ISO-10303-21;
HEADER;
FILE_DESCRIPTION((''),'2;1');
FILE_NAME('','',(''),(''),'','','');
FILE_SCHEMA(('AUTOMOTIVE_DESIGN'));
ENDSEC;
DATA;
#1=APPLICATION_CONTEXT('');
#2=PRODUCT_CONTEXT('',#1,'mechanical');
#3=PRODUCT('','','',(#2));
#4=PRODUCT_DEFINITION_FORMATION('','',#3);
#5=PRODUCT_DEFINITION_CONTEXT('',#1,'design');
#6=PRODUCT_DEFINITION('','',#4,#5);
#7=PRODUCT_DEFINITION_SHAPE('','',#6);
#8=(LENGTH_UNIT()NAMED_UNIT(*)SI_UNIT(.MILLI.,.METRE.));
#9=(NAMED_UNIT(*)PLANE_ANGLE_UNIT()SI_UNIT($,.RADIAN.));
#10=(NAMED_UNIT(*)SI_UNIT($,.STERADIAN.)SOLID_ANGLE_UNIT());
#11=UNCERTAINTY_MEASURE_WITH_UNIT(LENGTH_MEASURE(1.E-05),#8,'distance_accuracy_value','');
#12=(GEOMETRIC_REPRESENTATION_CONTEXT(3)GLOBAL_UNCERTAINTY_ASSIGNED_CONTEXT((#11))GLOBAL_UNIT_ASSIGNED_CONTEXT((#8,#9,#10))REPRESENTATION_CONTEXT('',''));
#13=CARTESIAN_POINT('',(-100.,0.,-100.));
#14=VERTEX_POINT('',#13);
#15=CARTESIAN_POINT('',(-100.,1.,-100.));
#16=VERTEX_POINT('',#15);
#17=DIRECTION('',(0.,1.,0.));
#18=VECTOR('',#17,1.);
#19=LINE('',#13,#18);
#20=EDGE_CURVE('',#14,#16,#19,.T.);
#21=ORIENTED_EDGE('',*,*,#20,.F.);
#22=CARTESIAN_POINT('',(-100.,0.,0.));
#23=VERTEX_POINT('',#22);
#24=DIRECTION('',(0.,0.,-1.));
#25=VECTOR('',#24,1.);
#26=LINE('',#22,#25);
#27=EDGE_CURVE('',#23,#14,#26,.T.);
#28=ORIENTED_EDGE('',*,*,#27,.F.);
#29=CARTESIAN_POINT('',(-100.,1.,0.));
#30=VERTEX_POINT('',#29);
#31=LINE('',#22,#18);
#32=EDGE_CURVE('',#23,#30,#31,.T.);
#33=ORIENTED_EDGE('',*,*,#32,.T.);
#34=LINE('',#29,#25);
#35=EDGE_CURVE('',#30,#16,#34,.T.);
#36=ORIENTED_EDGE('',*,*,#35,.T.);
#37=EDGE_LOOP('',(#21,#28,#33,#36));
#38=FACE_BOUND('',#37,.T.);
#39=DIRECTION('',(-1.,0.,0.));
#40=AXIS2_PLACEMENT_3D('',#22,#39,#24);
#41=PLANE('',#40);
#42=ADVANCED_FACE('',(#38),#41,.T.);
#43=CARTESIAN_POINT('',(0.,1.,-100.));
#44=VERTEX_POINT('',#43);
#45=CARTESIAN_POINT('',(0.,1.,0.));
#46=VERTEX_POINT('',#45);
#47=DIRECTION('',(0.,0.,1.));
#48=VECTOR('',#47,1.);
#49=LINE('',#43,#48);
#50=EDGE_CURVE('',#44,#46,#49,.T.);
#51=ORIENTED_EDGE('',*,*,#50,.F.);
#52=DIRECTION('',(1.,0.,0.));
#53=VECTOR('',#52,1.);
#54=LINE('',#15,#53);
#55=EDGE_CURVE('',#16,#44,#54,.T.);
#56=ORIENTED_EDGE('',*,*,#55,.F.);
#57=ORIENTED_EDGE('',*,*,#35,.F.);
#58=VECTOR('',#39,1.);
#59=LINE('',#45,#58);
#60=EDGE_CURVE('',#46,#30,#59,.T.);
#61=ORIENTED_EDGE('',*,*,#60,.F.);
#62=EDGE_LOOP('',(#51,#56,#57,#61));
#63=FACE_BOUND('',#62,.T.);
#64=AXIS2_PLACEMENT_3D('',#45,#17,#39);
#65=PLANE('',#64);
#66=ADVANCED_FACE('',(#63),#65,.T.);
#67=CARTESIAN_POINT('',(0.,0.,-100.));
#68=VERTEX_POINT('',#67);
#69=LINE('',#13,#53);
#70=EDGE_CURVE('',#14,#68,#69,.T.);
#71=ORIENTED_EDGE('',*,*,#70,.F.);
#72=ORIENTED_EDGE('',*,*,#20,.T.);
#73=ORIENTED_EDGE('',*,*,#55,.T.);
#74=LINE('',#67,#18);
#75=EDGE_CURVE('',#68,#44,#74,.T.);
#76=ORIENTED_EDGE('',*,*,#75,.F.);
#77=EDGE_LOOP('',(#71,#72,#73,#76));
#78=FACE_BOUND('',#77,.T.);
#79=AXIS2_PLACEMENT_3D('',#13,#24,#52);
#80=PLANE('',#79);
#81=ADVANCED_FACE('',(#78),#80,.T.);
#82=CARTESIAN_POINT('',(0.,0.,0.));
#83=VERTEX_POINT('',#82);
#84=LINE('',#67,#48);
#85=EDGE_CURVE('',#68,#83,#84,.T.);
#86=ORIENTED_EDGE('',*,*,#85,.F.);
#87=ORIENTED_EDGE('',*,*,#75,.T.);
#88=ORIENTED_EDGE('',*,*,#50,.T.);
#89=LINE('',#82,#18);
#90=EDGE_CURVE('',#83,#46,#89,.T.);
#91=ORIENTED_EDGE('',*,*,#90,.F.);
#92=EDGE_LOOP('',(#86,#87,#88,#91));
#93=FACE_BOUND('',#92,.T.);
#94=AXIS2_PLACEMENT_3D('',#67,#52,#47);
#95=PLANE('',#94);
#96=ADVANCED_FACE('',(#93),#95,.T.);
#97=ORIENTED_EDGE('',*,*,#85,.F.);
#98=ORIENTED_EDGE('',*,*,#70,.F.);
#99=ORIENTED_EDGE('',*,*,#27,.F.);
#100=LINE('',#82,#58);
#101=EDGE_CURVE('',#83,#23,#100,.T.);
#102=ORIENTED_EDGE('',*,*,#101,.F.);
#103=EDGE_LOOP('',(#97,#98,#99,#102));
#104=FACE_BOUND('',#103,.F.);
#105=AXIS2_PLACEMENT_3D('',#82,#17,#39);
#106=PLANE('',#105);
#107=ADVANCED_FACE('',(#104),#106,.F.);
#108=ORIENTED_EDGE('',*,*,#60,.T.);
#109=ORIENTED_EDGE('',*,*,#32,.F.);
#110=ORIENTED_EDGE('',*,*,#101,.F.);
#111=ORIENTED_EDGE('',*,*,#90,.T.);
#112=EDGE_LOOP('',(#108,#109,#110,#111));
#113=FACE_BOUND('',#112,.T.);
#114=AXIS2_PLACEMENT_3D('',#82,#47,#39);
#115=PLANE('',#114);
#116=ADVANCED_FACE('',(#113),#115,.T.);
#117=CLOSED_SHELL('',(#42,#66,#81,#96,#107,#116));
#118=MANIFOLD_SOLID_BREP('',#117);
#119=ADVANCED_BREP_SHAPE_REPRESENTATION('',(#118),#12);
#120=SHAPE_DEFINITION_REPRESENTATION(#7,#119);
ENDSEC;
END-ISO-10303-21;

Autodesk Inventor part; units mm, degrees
ref_plane "YZ Plane" through (0, 0, 0) normal (1, 0, 0) x (0, 1, 0)
ref_plane "XZ Plane" through (0, 0, 0) normal (0, 1, 0) x (-1, 0, 0)
ref_plane "XY Plane" through (0, 0, 0) normal (0, 0, 1) x (1, 0, 0)
sketch "Sketch1" plane through (0, 0, 0) normal (0, 1, 0) x (-1, 0, 0)
  line L0 (0, 0) -> (100, 0)
  line L1 (100, 0) -> (100, -100)
  line L2 (100, -100) -> (0, -100)
  line L3 (0, -100) -> (0, 0)
  dimension "d0" = 100
  dimension "d1" = 100
extrude "Extrusion1" add sketch "Sketch1" along normal blind 1
properties part number "BedPlate"
